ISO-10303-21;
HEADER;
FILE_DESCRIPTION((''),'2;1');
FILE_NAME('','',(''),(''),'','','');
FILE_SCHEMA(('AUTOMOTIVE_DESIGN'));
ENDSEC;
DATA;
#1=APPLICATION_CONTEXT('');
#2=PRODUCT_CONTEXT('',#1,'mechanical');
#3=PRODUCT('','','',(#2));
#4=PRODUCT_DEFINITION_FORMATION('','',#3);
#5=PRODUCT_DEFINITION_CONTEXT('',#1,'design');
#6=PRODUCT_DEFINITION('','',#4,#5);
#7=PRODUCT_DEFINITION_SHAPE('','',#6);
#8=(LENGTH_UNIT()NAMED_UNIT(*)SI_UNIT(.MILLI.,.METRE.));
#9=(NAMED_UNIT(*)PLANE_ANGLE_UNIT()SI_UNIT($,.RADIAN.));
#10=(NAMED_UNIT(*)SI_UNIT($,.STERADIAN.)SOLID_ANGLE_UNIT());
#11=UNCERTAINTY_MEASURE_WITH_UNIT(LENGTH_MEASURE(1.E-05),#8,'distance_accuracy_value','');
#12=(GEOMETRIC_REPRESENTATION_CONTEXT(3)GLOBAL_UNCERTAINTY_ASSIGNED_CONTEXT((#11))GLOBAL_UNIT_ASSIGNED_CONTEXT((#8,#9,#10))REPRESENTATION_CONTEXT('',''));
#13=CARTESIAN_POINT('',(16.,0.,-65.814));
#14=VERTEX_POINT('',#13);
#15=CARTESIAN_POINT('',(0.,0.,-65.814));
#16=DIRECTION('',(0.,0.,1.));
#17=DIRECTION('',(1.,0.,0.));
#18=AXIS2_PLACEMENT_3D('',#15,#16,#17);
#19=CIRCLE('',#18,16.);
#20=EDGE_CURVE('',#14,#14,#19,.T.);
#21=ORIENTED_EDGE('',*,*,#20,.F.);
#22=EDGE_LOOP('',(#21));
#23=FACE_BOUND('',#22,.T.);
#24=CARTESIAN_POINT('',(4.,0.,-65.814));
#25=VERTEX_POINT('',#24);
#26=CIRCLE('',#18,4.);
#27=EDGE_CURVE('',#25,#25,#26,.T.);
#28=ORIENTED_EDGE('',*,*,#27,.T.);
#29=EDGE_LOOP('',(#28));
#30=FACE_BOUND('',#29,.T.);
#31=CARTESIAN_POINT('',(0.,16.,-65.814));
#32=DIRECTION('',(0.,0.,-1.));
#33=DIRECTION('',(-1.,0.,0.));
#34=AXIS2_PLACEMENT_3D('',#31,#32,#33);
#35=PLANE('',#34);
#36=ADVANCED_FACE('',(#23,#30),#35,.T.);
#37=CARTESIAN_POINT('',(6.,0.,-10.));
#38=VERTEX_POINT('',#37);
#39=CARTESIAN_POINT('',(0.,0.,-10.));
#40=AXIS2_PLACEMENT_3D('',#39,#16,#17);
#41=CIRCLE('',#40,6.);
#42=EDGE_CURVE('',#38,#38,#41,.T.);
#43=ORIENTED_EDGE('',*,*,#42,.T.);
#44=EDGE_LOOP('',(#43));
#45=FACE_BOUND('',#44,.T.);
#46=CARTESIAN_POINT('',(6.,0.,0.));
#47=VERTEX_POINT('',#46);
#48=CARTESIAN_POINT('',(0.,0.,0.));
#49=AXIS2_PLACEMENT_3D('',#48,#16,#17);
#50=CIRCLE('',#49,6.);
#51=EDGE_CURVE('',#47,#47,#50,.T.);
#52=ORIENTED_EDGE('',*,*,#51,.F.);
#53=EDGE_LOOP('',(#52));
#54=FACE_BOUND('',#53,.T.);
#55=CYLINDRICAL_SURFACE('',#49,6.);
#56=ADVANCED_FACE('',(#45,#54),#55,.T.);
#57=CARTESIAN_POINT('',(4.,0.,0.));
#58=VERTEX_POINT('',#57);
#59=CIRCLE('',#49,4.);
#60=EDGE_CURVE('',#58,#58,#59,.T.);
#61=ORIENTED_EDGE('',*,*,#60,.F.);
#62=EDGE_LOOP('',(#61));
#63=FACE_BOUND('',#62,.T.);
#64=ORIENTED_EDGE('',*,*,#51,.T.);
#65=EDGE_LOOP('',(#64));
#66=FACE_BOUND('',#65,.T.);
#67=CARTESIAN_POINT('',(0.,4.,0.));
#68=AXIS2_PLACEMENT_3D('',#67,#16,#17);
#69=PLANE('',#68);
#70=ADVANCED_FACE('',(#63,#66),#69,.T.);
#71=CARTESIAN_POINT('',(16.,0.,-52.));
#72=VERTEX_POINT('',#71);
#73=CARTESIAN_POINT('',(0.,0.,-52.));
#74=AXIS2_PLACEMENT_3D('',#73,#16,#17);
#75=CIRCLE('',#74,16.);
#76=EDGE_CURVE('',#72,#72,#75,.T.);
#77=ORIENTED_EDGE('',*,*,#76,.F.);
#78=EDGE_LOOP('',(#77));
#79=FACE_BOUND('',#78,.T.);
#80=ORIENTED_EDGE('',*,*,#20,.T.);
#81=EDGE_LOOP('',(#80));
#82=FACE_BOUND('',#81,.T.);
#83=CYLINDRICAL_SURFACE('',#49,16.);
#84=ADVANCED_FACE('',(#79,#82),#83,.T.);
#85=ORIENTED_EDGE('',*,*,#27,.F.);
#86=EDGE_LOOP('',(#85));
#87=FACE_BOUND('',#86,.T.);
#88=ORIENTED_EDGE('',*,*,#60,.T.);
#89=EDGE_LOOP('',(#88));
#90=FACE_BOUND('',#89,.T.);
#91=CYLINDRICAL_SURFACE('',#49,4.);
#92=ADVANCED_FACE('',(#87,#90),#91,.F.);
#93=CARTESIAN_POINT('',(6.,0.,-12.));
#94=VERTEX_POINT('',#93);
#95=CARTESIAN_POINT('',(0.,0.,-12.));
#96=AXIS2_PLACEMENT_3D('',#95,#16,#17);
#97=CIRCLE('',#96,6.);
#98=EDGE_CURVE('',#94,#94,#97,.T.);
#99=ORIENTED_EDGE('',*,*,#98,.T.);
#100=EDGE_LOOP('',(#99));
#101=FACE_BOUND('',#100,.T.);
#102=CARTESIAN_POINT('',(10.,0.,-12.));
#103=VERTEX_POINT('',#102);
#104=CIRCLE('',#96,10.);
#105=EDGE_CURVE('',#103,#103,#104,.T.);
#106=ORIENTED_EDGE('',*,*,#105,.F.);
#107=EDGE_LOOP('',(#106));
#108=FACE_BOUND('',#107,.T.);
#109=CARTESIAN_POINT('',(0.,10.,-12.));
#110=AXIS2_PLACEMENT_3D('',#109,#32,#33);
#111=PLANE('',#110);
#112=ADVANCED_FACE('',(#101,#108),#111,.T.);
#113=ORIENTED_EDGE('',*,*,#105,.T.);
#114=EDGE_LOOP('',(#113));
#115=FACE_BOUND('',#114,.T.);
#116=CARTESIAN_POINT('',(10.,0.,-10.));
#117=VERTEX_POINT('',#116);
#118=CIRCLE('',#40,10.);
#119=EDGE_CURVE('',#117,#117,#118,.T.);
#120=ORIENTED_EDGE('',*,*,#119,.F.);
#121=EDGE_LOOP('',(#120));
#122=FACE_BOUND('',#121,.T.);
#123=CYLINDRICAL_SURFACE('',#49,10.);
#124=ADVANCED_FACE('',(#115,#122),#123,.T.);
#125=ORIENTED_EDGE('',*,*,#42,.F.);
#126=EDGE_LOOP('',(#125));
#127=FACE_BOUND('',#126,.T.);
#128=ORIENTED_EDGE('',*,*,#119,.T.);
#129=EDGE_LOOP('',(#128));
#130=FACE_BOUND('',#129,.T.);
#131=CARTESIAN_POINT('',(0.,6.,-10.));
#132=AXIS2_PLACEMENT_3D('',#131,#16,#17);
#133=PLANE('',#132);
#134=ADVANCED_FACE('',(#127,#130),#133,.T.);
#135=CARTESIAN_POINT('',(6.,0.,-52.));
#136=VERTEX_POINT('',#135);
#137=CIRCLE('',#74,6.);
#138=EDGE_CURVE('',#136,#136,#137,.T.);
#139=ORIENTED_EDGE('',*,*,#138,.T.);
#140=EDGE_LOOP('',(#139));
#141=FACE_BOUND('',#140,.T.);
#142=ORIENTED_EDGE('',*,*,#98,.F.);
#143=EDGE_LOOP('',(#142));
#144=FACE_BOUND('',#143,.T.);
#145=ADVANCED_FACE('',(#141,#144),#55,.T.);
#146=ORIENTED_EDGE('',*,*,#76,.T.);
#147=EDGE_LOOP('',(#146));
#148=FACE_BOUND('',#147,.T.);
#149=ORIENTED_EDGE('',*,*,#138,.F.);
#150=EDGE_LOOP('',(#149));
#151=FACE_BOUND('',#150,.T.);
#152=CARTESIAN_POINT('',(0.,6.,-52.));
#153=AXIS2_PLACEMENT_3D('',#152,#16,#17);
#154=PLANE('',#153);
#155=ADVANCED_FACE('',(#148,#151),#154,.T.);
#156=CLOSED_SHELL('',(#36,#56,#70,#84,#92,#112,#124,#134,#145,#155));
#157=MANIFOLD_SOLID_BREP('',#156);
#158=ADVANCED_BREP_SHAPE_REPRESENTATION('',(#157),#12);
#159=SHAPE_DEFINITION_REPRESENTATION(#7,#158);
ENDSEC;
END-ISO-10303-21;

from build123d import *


with BuildPart() as part:
    # Sketch2 → Revolve1 (revolve)
    with BuildSketch(Plane(origin=(0, 0, 0), x_dir=(0, 0, -1), z_dir=(1, 0, 0)), mode=Mode.PRIVATE) as revolve1_sk:
        Polygon((0, 4), (0, 6), (10, 6), (10, 10), (12, 10), (12, 6), (52, 6), (52, 16), (65.814, 16), (65.814, 4), align=None)
    revolve(revolve1_sk.sketch.rotate(Axis((0, 0, 0), (0, 0, -1)), 90), axis=Axis((0, 0, 0), (0, 0, -1)))


solid = part.part
